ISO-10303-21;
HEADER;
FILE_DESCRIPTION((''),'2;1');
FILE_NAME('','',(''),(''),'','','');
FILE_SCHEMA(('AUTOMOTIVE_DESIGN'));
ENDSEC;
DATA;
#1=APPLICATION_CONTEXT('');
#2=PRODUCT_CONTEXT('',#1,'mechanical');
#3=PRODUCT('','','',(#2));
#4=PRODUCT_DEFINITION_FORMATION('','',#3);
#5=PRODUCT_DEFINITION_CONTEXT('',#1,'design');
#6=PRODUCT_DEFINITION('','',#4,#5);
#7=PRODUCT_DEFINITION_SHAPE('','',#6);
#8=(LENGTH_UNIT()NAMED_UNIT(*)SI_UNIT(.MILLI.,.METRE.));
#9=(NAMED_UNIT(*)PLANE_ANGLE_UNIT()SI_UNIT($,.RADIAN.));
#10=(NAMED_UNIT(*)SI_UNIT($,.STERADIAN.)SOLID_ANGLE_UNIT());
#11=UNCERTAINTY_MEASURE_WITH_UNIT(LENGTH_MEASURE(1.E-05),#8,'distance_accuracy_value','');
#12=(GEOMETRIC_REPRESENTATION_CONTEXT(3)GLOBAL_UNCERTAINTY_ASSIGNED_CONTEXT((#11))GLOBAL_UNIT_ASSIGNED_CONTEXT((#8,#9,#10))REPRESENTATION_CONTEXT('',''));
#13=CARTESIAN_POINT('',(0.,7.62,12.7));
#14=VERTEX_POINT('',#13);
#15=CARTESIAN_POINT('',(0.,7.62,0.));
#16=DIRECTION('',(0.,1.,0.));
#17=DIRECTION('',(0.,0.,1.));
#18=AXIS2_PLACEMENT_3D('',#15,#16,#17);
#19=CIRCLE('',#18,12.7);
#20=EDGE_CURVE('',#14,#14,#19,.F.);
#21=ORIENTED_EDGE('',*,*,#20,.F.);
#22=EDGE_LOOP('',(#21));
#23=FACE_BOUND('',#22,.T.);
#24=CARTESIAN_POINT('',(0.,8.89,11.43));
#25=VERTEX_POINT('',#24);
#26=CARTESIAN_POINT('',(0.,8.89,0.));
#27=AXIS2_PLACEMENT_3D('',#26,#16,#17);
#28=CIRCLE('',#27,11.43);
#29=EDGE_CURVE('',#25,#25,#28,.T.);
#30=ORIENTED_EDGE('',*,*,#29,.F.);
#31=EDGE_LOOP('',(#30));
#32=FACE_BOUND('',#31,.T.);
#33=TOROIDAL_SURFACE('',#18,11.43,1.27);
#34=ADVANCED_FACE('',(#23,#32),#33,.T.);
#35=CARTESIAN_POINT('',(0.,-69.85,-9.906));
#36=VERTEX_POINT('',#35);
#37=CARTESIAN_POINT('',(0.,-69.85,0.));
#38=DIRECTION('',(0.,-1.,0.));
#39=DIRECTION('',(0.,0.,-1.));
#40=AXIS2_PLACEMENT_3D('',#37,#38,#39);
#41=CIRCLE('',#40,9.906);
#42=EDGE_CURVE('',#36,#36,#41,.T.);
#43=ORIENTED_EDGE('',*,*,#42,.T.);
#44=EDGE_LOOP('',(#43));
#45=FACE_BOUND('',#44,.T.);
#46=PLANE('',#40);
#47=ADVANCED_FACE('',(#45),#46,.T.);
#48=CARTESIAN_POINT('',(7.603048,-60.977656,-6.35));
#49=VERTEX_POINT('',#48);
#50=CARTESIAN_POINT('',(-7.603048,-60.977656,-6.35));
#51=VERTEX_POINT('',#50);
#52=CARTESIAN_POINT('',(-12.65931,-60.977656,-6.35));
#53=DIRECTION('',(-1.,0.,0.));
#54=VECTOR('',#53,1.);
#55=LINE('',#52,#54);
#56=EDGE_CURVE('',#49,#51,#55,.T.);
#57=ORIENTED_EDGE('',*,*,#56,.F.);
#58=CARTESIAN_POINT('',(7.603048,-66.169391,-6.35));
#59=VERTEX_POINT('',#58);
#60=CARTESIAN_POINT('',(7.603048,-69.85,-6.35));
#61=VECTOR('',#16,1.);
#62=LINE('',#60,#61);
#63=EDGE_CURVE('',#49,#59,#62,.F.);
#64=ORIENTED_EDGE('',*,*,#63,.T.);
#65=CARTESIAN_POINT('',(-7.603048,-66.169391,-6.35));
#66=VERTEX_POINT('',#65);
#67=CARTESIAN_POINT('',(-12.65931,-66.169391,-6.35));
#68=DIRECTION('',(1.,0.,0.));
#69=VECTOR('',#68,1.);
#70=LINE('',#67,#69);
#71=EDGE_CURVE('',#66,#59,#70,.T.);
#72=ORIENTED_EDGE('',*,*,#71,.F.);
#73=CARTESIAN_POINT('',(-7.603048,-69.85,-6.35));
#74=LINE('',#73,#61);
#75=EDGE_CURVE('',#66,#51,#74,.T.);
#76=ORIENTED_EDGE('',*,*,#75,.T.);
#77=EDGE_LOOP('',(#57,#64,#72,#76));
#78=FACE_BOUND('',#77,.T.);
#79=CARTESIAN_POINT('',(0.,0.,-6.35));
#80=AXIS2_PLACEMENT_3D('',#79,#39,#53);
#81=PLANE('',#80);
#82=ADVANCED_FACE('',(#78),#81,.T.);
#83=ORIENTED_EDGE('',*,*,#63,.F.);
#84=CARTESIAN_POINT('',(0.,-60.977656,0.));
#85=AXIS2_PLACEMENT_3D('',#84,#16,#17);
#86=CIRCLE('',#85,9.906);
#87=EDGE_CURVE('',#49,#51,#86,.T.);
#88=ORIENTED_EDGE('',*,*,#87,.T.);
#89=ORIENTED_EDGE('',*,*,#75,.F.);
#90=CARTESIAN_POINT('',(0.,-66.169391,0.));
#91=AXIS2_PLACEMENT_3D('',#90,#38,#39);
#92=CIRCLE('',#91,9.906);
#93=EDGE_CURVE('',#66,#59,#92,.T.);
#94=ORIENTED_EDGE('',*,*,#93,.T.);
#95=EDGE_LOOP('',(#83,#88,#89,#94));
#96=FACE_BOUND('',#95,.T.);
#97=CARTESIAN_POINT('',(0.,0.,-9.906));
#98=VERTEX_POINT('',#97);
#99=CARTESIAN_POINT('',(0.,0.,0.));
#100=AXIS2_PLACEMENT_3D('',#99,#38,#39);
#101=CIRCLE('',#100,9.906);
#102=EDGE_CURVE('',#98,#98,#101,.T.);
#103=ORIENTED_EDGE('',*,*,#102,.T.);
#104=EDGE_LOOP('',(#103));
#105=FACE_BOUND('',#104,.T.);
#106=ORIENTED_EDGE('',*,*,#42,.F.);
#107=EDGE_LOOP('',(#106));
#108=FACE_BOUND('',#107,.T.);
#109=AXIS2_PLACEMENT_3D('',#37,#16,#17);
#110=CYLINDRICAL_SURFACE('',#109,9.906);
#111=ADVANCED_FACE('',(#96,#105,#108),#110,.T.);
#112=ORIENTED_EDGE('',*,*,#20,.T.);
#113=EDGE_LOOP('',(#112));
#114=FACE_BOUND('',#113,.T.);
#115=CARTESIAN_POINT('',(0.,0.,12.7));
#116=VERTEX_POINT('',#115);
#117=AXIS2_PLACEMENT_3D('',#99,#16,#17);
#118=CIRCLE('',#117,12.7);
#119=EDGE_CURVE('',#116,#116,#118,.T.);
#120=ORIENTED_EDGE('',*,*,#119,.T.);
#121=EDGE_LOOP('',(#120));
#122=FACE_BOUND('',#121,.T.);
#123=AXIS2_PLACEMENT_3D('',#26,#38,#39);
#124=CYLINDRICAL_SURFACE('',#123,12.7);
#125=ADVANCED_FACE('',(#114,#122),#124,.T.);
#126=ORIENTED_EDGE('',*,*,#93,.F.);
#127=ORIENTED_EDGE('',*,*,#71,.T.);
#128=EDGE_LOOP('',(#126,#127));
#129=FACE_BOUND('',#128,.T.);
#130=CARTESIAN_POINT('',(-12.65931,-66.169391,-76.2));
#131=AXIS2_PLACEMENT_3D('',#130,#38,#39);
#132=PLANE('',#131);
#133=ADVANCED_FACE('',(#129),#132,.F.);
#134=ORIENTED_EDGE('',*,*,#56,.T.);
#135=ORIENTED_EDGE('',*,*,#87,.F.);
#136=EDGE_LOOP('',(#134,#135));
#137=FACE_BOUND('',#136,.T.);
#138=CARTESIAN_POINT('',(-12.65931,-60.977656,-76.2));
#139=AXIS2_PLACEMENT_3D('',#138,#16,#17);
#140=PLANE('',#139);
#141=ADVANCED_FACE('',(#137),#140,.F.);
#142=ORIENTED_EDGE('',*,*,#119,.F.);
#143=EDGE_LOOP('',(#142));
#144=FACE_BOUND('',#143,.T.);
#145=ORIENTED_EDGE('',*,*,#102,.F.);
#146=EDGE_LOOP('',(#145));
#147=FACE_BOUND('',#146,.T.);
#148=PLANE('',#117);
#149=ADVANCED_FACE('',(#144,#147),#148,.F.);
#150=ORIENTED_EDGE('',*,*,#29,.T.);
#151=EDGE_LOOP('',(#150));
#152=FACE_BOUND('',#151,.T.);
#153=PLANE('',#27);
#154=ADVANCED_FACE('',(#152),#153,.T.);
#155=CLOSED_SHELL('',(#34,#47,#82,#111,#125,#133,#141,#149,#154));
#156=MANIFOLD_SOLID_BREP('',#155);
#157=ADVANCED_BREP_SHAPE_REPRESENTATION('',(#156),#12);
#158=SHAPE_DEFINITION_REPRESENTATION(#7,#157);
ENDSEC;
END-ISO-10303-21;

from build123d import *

# Parameters (mm, degrees)
SKETCH1_R           = 12.7
BOSS_EXTRUDE1_DEPTH = 8.89
SKETCH2_R           = 9.906
BOSS_EXTRUDE2_DEPTH = 69.85
FILLET2_R           = 1.27
CUT_EXTRUDE1_START  = -8.89
SKETCH5_W           = 28.368479266
SKETCH5_H           = 5.191734841
CUT_EXTRUDE1_DEPTH  = 69.85


with BuildPart() as part:
    # Sketch1 → Boss-Extrude1 (new body)
    with BuildSketch(Plane(origin=(0, 0, 0), x_dir=(1, 0, 0), z_dir=(0, 1, 0))):
        Circle(SKETCH1_R)
    extrude(amount=BOSS_EXTRUDE1_DEPTH)

    # Sketch2 → Boss-Extrude2 (add)
    with BuildSketch(Plane.XZ):
        Circle(SKETCH2_R)
    extrude(amount=BOSS_EXTRUDE2_DEPTH)

    # Fillet2
    fillet2_edges = [part.edges().sort_by_distance(p)[0] for p in [
        (-12.7, 8.89, 0),
    ]]
    fillet(fillet2_edges, radius=FILLET2_R)

    # Sketch5 → Cut-Extrude1 (cut)
    with BuildSketch(Plane.XY.offset(2.54).offset(CUT_EXTRUDE1_START)):
        with Locations((1.524929724, -63.573523151)):
            Rectangle(SKETCH5_W, SKETCH5_H)
    extrude(amount=-CUT_EXTRUDE1_DEPTH, mode=Mode.SUBTRACT)


solid = part.part
